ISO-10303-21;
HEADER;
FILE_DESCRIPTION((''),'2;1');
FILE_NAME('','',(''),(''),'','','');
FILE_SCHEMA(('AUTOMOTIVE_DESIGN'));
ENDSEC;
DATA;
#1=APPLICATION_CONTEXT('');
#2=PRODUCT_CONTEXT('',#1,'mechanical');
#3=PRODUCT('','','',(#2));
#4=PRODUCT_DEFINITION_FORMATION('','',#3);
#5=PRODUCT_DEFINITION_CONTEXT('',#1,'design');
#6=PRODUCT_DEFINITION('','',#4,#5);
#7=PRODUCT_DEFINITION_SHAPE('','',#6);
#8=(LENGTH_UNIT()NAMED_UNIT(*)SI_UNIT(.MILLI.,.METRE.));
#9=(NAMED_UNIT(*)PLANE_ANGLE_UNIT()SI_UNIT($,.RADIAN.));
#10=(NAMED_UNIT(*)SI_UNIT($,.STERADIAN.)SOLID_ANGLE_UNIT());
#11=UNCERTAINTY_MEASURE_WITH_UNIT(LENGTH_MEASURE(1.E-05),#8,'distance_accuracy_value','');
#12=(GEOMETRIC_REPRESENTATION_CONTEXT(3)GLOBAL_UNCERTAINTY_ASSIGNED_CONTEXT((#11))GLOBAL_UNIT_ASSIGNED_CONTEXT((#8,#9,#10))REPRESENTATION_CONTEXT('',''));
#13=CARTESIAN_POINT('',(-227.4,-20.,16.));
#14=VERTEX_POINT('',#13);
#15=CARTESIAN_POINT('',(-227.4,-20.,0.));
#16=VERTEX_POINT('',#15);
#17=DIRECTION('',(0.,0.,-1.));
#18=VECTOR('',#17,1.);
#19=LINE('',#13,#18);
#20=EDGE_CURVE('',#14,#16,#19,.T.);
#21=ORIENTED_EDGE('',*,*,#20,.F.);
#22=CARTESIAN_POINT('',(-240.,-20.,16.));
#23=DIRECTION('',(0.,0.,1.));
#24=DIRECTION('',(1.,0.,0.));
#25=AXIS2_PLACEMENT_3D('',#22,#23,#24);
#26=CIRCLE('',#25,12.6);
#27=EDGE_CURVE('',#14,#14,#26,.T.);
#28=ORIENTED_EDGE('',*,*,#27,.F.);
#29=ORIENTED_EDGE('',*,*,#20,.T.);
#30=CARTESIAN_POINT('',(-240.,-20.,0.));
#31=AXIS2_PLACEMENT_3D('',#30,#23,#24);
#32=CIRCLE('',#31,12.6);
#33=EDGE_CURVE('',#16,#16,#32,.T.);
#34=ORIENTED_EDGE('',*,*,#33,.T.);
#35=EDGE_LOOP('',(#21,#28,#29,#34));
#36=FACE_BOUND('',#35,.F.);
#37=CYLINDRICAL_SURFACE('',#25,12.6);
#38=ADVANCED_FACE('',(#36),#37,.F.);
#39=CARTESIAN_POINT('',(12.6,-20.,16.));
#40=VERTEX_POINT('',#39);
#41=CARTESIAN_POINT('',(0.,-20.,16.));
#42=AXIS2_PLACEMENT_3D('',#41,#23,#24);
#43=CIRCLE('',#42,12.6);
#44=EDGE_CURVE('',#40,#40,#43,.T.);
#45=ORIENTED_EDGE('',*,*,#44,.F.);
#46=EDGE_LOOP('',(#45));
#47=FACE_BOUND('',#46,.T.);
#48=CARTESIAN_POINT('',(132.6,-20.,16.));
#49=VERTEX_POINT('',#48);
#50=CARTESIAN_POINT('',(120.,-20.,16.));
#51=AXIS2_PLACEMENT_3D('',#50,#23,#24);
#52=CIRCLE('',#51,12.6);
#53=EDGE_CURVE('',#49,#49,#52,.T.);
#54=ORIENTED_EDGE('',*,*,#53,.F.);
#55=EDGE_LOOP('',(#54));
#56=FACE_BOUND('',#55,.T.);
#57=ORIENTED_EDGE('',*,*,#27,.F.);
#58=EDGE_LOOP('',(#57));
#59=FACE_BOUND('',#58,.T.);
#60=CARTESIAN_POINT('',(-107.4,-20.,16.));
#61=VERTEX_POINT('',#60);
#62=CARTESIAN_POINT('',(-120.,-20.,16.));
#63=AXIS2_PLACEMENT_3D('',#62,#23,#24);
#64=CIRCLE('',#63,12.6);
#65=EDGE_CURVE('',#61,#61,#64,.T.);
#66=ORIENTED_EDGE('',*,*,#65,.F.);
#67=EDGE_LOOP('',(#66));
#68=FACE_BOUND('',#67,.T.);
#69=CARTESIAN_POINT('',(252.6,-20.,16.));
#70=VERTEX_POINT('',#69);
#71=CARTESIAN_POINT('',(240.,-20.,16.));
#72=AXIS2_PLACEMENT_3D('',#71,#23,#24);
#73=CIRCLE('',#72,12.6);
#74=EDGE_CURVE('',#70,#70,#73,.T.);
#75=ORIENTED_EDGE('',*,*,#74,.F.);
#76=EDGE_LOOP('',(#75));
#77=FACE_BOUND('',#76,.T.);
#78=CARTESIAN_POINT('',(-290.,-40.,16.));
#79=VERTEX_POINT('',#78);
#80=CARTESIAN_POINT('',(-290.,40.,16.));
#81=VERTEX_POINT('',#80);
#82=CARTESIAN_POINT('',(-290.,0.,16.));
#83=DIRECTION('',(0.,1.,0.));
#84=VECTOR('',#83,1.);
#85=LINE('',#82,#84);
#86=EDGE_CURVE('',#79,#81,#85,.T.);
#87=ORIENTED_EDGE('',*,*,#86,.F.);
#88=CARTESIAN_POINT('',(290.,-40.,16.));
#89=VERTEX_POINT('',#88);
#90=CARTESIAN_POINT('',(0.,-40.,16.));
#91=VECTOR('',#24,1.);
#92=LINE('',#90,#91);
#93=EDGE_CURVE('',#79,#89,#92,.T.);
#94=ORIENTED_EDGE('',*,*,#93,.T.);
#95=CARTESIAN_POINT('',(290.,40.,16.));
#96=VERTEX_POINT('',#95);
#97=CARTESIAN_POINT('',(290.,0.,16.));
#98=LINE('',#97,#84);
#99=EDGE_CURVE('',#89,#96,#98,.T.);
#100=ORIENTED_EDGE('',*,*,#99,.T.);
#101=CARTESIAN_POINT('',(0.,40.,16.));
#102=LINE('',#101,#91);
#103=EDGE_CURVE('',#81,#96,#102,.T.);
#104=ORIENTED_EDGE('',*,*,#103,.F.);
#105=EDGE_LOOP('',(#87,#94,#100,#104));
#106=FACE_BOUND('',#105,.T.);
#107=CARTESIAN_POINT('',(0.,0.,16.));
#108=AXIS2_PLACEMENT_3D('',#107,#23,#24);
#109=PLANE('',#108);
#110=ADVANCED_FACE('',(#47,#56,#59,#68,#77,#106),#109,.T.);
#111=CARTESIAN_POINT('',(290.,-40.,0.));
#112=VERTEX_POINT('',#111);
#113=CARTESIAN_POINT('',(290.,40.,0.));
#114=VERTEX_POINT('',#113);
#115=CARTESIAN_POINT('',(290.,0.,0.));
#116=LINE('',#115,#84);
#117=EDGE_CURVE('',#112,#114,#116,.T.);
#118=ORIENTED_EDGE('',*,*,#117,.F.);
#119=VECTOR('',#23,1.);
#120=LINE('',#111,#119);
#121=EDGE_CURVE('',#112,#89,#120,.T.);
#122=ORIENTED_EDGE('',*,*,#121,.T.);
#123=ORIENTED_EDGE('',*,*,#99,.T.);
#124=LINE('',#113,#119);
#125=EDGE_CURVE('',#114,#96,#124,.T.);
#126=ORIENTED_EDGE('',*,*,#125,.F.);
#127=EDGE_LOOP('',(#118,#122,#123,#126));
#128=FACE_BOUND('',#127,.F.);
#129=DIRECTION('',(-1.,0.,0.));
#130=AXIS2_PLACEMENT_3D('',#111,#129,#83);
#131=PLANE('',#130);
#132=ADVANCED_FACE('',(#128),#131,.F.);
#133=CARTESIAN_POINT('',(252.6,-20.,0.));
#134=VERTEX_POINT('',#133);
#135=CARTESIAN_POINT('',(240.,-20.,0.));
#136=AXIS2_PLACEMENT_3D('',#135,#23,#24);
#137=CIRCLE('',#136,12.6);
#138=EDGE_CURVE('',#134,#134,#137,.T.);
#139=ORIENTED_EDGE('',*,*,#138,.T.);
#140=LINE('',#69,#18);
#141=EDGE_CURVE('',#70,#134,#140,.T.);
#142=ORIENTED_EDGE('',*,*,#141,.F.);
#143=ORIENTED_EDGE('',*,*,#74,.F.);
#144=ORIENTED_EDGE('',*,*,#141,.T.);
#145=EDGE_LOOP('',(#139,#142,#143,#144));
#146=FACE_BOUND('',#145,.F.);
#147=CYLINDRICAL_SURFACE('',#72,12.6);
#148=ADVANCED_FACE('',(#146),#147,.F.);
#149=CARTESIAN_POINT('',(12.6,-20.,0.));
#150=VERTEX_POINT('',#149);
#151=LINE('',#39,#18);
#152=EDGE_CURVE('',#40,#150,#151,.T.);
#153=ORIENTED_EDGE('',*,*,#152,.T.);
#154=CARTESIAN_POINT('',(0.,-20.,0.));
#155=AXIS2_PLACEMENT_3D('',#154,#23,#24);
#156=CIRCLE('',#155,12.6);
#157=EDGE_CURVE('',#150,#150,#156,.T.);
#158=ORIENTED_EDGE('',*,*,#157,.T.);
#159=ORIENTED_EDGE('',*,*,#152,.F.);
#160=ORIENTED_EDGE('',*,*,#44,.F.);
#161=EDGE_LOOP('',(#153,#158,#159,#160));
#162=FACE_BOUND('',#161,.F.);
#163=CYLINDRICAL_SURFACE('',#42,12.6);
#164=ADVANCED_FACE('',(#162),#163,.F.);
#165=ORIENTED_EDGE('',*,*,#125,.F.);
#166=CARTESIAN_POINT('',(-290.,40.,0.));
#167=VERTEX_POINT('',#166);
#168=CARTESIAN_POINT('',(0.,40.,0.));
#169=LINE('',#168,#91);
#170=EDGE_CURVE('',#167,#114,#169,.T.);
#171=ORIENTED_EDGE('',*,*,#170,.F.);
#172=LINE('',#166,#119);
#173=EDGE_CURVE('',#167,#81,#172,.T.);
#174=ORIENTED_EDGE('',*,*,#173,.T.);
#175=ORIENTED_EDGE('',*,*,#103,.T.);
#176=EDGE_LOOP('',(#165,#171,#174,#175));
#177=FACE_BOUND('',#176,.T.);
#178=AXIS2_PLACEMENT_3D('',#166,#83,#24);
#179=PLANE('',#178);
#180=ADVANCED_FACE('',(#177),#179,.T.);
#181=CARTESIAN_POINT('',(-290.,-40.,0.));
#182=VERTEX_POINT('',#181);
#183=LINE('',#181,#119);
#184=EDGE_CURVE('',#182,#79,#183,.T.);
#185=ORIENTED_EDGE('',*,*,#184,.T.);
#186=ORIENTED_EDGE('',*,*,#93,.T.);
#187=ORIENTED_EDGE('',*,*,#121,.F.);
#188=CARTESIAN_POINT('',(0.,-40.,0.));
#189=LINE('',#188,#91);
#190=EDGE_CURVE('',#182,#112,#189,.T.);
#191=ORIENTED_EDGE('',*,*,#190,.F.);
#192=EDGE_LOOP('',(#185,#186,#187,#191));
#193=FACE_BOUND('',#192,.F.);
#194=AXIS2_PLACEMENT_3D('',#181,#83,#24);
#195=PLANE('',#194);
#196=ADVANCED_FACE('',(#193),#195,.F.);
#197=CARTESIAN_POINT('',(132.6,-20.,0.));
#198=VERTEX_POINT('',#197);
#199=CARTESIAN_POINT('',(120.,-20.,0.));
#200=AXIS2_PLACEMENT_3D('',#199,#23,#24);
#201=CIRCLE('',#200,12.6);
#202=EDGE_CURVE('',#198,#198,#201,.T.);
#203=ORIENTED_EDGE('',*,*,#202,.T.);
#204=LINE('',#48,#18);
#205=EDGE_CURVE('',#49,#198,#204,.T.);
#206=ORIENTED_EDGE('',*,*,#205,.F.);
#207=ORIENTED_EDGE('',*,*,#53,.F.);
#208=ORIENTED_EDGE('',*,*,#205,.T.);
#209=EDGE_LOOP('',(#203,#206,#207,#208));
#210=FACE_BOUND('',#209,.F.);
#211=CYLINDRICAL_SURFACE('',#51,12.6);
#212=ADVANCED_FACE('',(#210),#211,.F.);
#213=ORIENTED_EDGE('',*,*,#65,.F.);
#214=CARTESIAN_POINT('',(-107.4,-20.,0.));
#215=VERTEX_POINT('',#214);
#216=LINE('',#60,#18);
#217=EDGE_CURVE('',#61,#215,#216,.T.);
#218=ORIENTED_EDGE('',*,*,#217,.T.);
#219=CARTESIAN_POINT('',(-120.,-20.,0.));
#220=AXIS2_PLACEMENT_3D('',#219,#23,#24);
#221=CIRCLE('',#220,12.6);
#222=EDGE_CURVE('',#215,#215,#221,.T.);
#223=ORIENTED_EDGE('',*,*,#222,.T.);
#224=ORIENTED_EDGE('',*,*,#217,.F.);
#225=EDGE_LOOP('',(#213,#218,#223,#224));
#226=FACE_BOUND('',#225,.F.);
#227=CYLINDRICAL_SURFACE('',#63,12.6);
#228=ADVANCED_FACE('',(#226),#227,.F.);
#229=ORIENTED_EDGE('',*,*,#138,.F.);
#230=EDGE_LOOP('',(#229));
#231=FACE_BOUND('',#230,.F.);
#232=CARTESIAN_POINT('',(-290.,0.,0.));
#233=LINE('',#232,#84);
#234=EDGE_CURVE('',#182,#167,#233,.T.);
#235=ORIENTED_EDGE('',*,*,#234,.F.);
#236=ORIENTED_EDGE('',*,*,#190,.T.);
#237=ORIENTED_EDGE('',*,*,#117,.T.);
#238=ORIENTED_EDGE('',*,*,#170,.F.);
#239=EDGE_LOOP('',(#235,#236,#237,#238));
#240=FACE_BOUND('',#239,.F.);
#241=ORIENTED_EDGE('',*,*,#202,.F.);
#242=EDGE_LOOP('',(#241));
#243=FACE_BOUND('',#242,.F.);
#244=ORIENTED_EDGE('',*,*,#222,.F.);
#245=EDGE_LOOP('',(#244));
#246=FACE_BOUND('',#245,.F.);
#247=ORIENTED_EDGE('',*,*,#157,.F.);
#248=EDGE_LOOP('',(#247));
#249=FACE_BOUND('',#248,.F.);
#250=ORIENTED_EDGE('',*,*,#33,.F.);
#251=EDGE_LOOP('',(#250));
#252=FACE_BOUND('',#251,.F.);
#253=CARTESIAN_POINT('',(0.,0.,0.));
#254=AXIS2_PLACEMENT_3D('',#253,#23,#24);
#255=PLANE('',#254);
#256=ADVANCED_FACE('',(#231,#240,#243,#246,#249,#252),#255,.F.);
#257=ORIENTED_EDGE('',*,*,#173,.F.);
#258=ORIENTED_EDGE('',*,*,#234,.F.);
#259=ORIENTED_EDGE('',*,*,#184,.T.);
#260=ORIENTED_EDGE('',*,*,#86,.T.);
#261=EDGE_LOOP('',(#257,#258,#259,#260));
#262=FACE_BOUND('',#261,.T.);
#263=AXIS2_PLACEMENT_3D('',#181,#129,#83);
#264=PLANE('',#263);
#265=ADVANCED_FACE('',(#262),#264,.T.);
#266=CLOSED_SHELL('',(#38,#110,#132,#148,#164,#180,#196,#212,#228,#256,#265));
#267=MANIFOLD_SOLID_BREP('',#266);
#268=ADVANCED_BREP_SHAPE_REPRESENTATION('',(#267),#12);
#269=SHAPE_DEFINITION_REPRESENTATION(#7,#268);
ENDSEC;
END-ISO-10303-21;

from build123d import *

# Parameters (mm, degrees)
SKETCH1_W           = 580
SKETCH1_H           = 80
BOSS_EXTRUDE1_DEPTH = 16
SKETCH2_R           = 12.6
CUT_EXTRUDE1_DEPTH  = 16


with BuildPart() as part:
    # Sketch1 → Boss-Extrude1 (new body)
    with BuildSketch(Plane.XY):
        Rectangle(SKETCH1_W, SKETCH1_H)
    extrude(amount=BOSS_EXTRUDE1_DEPTH)

    # Sketch2 → Cut-Extrude1 (cut)
    with BuildSketch(Plane.XY.offset(16)):
        with Locations((-240, -20)):
            Circle(SKETCH2_R)
        with Locations((-120, -20)):
            Circle(SKETCH2_R)
        with Locations((0, -20)):
            Circle(SKETCH2_R)
        with Locations((120, -20)):
            Circle(SKETCH2_R)
        with Locations((240, -20)):
            Circle(SKETCH2_R)
    extrude(amount=-CUT_EXTRUDE1_DEPTH, mode=Mode.SUBTRACT)


solid = part.part
